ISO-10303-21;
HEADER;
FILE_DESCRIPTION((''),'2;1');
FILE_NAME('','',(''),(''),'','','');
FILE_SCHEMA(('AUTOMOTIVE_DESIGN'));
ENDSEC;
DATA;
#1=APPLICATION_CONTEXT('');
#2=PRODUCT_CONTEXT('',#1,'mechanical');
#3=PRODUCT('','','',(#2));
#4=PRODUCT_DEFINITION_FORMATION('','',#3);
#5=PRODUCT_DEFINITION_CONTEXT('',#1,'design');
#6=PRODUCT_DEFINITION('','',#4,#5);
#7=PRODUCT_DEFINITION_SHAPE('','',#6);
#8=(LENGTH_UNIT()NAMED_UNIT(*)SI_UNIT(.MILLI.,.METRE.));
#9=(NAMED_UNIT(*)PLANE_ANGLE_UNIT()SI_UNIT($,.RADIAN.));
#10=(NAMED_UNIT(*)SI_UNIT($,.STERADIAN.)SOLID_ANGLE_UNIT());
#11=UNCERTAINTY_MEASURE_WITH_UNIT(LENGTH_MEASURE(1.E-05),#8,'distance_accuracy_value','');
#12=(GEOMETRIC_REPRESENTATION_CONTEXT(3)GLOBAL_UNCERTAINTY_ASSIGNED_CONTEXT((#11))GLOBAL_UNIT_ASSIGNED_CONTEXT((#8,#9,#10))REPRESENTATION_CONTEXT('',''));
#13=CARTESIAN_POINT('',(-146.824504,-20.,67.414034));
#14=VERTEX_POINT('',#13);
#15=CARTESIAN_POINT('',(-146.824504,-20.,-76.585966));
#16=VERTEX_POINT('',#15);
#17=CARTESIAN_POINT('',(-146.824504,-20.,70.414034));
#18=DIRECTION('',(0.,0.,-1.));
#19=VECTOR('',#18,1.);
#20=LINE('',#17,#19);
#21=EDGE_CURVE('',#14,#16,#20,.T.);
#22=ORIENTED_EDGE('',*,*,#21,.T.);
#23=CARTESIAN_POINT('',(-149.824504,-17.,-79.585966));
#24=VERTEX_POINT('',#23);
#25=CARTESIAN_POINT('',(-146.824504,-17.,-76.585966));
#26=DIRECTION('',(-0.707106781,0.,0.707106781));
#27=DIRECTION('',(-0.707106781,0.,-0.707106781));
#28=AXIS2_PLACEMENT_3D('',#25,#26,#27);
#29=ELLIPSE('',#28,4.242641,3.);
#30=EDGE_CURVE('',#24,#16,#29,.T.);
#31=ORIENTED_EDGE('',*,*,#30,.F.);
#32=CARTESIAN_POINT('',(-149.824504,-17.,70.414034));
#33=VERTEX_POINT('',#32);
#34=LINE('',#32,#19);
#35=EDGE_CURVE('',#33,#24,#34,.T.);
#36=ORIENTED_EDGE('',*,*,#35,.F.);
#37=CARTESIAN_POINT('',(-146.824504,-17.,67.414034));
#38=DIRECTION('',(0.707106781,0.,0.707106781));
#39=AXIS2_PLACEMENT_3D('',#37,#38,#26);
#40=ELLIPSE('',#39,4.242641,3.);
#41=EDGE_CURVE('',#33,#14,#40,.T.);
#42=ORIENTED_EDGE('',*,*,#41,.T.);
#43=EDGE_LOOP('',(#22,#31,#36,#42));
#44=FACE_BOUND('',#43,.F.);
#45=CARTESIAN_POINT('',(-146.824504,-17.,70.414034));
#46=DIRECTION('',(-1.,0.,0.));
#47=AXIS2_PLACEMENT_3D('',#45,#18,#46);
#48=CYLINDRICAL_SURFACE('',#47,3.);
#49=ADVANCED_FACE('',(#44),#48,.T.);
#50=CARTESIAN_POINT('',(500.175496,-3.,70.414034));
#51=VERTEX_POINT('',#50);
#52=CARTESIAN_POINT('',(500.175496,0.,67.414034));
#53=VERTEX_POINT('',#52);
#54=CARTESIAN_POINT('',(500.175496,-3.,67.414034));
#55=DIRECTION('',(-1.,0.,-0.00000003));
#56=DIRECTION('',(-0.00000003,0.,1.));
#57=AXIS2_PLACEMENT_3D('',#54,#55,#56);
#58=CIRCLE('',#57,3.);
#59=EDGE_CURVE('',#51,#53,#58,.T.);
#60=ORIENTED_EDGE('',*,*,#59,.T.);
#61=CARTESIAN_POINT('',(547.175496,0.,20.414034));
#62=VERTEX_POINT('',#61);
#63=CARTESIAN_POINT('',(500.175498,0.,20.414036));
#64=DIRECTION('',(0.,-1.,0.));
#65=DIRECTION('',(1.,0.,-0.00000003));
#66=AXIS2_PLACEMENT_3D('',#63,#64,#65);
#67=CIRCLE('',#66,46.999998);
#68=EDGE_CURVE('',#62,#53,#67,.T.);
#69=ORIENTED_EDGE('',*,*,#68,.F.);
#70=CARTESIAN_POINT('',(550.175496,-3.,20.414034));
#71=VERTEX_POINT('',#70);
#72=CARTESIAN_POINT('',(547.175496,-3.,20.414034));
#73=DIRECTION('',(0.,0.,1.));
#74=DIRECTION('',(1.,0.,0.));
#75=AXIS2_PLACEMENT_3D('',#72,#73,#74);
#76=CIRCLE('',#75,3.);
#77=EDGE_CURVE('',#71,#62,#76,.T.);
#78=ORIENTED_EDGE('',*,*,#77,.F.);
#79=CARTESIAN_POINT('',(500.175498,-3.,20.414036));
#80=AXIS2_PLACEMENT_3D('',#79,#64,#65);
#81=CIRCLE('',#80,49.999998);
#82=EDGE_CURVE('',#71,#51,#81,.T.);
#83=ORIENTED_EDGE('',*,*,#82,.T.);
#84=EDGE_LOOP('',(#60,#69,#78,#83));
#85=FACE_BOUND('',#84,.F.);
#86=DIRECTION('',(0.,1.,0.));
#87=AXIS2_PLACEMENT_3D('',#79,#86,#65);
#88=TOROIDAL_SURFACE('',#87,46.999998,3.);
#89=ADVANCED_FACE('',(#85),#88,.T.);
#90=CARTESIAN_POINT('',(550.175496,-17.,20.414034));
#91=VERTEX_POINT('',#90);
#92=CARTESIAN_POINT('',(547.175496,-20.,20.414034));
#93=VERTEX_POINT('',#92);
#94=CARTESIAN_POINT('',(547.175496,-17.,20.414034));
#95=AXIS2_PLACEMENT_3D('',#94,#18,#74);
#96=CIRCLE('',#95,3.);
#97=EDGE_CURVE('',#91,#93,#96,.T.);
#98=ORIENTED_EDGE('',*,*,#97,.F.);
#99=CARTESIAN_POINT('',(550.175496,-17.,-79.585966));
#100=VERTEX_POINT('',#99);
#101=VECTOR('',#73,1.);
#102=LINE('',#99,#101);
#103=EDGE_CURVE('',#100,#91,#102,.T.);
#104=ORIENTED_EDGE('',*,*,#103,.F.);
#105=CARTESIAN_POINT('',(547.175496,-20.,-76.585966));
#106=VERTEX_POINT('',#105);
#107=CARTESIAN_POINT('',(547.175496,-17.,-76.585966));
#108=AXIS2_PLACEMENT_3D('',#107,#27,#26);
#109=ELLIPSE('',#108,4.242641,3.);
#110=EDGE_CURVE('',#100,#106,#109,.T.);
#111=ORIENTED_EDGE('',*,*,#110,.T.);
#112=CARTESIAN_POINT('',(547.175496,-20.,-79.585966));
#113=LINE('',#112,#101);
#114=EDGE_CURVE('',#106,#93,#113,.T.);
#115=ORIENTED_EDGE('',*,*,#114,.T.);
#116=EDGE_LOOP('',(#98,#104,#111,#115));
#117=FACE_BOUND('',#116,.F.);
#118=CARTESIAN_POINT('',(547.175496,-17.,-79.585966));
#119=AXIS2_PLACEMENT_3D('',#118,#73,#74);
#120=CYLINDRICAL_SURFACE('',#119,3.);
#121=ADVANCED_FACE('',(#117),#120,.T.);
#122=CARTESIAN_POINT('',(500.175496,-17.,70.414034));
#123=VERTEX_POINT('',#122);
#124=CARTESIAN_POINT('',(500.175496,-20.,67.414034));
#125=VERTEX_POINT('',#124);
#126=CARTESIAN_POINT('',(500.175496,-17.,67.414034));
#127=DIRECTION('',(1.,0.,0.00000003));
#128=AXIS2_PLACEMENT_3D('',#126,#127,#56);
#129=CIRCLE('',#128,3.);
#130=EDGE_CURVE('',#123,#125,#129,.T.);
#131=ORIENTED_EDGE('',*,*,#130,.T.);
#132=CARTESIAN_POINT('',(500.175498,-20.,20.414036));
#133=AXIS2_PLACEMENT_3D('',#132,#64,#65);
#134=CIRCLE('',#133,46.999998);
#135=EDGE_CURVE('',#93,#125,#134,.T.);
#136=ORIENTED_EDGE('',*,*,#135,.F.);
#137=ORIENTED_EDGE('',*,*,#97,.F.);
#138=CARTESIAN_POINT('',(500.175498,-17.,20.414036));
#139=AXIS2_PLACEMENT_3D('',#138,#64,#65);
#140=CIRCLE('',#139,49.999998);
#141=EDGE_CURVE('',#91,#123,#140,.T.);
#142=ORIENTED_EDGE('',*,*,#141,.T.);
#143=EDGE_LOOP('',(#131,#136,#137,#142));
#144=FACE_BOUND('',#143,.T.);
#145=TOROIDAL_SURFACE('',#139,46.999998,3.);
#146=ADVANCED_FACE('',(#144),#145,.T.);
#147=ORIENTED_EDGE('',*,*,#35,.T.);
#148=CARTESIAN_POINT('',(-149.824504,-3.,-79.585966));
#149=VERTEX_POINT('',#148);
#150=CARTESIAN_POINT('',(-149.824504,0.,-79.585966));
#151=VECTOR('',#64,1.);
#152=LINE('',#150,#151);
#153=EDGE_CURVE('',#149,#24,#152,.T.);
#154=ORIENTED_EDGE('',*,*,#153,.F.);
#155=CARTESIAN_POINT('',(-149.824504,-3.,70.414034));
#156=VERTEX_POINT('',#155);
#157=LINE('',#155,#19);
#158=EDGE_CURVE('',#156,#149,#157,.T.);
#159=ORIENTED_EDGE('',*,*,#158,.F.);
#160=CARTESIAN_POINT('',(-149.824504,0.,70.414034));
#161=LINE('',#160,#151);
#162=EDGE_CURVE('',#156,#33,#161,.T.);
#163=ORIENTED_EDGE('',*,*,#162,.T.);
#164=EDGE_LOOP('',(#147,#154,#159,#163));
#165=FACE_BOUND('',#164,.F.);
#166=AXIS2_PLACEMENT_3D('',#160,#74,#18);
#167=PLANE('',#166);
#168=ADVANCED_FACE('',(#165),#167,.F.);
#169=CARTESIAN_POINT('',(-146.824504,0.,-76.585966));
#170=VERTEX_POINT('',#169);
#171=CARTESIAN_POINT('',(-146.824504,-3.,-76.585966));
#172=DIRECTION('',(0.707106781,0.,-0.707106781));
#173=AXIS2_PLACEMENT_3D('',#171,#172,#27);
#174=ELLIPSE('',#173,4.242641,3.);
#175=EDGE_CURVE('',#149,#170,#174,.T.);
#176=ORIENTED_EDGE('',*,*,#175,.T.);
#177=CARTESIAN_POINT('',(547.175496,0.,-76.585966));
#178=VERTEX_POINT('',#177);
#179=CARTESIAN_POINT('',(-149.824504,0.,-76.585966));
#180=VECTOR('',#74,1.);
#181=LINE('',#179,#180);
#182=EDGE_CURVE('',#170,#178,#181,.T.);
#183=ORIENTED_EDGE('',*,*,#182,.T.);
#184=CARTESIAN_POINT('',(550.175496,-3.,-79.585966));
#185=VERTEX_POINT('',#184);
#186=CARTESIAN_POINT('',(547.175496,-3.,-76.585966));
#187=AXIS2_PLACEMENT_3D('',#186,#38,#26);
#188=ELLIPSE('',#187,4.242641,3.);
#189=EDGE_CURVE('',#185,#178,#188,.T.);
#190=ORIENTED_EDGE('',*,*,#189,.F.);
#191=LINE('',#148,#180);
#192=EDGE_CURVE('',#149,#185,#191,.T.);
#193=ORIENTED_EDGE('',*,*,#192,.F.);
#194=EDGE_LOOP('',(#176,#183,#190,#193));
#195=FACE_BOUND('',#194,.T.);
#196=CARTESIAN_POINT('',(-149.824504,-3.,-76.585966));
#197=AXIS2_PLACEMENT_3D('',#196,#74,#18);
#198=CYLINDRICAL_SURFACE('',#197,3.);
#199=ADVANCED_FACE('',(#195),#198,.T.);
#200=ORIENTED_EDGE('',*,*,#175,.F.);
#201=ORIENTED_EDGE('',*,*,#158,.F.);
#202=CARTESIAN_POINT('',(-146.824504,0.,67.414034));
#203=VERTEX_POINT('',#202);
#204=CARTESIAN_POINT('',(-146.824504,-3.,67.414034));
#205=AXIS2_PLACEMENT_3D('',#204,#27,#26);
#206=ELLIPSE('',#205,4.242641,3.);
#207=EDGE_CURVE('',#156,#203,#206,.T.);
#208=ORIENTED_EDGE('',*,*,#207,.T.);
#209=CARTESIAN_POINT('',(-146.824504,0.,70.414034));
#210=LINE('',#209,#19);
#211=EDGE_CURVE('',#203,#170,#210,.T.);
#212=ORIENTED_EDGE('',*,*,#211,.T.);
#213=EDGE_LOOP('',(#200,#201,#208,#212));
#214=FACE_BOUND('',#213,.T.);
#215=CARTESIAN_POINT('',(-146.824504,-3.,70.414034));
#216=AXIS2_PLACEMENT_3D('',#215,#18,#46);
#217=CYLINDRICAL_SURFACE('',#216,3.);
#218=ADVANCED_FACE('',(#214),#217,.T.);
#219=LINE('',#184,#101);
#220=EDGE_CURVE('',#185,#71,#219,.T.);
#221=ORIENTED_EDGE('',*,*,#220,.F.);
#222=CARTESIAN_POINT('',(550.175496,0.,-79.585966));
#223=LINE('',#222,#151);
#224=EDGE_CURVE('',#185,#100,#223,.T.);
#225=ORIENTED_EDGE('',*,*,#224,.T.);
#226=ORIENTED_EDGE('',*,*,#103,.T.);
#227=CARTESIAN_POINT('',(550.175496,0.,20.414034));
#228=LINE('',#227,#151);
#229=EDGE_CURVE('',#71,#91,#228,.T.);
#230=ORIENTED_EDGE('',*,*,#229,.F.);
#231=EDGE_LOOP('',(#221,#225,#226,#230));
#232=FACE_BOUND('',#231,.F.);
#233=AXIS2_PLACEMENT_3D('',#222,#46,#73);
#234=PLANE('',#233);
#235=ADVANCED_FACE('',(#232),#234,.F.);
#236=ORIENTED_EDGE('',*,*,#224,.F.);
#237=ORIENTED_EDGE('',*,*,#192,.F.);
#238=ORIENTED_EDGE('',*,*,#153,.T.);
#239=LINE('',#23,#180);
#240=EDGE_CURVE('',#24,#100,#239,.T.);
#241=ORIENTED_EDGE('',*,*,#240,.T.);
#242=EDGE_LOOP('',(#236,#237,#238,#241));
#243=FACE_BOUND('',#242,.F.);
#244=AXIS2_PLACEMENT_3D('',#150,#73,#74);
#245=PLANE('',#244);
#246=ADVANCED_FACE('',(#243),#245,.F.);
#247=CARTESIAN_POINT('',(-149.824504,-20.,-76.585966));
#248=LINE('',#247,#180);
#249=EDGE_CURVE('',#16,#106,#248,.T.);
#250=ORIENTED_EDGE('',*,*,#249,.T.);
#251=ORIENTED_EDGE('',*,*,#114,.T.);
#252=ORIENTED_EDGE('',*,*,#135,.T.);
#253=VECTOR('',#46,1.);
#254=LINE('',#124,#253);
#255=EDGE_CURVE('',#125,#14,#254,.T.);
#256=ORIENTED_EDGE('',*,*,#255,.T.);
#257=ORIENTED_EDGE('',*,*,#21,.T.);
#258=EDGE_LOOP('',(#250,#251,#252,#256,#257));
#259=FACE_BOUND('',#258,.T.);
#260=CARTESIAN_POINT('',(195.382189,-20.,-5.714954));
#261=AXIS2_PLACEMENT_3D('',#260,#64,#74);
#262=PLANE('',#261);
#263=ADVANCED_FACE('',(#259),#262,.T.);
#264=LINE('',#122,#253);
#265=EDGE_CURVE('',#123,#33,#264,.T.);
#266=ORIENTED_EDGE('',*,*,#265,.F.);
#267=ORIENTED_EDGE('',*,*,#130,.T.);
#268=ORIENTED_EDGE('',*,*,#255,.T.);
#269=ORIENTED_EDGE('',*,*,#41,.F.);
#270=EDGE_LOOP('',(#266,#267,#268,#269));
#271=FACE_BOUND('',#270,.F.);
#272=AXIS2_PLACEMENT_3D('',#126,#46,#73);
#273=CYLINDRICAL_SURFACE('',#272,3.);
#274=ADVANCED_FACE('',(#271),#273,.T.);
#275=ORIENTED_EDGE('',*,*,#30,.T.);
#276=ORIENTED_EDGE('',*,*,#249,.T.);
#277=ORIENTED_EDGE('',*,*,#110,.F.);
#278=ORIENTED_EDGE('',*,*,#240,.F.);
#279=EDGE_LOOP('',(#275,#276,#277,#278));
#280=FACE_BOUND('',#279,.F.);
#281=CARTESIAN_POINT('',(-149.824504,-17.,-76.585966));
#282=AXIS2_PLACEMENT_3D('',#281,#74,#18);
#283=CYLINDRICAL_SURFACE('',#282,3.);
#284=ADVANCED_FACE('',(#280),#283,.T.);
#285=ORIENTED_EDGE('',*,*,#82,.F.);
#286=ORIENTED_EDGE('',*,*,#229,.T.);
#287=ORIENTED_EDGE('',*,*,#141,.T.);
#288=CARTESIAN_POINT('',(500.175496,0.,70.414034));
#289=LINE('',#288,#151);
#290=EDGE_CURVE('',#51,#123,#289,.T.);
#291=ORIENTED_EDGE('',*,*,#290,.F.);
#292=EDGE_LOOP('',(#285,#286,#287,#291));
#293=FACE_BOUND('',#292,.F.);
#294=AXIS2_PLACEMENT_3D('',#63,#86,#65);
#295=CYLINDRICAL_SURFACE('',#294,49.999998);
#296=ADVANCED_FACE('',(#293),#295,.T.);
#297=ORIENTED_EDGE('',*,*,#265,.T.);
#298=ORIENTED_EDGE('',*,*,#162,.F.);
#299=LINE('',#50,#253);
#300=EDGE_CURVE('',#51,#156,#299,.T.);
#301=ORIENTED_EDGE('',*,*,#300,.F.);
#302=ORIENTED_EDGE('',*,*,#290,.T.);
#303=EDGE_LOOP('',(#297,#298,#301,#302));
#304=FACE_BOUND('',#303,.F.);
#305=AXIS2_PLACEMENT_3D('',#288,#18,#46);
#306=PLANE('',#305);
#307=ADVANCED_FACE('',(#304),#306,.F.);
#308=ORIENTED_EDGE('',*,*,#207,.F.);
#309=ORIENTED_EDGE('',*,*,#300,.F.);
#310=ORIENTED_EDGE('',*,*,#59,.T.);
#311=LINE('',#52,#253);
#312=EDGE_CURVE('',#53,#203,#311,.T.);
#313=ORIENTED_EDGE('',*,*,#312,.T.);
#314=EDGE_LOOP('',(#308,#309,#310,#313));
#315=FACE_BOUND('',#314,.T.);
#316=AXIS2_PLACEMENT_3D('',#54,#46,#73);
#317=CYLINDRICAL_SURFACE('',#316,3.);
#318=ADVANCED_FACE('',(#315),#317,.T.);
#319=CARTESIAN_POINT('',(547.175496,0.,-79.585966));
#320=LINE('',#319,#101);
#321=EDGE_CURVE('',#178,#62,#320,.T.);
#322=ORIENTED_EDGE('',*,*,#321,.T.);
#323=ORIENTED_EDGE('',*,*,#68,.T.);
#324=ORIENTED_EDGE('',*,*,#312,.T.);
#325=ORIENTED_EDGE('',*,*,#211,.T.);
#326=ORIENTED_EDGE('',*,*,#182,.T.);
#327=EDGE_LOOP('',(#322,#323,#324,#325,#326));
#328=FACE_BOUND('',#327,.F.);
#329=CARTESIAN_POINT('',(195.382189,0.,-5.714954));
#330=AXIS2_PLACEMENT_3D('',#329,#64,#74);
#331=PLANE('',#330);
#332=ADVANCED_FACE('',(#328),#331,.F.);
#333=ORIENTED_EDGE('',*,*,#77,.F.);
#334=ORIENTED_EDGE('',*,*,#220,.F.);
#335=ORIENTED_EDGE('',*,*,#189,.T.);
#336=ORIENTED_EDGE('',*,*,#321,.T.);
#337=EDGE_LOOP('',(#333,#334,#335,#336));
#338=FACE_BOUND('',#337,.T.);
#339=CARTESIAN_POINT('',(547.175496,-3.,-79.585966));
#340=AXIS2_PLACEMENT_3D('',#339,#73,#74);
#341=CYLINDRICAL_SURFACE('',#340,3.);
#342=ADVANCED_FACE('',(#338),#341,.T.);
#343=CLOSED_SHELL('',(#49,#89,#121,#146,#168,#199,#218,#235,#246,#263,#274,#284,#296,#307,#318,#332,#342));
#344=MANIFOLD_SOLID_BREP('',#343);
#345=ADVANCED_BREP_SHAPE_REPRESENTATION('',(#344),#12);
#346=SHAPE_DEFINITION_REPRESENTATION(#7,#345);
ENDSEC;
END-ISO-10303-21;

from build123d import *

# Parameters (mm, degrees)
F1_DEPTH = 20
F4_R     = 3


with BuildPart() as f1:
    # F0 (on Front) → F1 (new body)
    with BuildSketch(Plane.XZ):
        with BuildLine():
            Line((500.175496, 70.414034), (-149.824504, 70.414034))
            Line((-149.824504, 70.414034), (-149.824504, -79.585966))
            Line((-149.824504, -79.585966), (550.175496, -79.585966))
            Line((550.175496, -79.585966), (550.175496, 20.414034))
            ThreePointArc((550.175496, 20.414034), (535.530836, 55.769373), (500.175496, 70.414034))
        make_face()
    extrude(amount=F1_DEPTH)

    # F4
    f4_edges = [f1.edges().sort_by_distance(p)[0] for p in [
        (175.175496, 0, 70.414034),
        (-149.824504, 0, -4.585966),
        (200.175496, 0, -79.585966),
        (550.175496, 0, -29.585966),
        (535.530836, 0, 55.769373),
        (175.175496, -20, 70.414034),
        (-149.824504, -20, -4.585966),
        (200.175496, -20, -79.585966),
        (550.175496, -20, -29.585966),
        (535.530836, -20, 55.769373),
    ]]
    fillet(f4_edges, radius=F4_R)


solid = f1.part
